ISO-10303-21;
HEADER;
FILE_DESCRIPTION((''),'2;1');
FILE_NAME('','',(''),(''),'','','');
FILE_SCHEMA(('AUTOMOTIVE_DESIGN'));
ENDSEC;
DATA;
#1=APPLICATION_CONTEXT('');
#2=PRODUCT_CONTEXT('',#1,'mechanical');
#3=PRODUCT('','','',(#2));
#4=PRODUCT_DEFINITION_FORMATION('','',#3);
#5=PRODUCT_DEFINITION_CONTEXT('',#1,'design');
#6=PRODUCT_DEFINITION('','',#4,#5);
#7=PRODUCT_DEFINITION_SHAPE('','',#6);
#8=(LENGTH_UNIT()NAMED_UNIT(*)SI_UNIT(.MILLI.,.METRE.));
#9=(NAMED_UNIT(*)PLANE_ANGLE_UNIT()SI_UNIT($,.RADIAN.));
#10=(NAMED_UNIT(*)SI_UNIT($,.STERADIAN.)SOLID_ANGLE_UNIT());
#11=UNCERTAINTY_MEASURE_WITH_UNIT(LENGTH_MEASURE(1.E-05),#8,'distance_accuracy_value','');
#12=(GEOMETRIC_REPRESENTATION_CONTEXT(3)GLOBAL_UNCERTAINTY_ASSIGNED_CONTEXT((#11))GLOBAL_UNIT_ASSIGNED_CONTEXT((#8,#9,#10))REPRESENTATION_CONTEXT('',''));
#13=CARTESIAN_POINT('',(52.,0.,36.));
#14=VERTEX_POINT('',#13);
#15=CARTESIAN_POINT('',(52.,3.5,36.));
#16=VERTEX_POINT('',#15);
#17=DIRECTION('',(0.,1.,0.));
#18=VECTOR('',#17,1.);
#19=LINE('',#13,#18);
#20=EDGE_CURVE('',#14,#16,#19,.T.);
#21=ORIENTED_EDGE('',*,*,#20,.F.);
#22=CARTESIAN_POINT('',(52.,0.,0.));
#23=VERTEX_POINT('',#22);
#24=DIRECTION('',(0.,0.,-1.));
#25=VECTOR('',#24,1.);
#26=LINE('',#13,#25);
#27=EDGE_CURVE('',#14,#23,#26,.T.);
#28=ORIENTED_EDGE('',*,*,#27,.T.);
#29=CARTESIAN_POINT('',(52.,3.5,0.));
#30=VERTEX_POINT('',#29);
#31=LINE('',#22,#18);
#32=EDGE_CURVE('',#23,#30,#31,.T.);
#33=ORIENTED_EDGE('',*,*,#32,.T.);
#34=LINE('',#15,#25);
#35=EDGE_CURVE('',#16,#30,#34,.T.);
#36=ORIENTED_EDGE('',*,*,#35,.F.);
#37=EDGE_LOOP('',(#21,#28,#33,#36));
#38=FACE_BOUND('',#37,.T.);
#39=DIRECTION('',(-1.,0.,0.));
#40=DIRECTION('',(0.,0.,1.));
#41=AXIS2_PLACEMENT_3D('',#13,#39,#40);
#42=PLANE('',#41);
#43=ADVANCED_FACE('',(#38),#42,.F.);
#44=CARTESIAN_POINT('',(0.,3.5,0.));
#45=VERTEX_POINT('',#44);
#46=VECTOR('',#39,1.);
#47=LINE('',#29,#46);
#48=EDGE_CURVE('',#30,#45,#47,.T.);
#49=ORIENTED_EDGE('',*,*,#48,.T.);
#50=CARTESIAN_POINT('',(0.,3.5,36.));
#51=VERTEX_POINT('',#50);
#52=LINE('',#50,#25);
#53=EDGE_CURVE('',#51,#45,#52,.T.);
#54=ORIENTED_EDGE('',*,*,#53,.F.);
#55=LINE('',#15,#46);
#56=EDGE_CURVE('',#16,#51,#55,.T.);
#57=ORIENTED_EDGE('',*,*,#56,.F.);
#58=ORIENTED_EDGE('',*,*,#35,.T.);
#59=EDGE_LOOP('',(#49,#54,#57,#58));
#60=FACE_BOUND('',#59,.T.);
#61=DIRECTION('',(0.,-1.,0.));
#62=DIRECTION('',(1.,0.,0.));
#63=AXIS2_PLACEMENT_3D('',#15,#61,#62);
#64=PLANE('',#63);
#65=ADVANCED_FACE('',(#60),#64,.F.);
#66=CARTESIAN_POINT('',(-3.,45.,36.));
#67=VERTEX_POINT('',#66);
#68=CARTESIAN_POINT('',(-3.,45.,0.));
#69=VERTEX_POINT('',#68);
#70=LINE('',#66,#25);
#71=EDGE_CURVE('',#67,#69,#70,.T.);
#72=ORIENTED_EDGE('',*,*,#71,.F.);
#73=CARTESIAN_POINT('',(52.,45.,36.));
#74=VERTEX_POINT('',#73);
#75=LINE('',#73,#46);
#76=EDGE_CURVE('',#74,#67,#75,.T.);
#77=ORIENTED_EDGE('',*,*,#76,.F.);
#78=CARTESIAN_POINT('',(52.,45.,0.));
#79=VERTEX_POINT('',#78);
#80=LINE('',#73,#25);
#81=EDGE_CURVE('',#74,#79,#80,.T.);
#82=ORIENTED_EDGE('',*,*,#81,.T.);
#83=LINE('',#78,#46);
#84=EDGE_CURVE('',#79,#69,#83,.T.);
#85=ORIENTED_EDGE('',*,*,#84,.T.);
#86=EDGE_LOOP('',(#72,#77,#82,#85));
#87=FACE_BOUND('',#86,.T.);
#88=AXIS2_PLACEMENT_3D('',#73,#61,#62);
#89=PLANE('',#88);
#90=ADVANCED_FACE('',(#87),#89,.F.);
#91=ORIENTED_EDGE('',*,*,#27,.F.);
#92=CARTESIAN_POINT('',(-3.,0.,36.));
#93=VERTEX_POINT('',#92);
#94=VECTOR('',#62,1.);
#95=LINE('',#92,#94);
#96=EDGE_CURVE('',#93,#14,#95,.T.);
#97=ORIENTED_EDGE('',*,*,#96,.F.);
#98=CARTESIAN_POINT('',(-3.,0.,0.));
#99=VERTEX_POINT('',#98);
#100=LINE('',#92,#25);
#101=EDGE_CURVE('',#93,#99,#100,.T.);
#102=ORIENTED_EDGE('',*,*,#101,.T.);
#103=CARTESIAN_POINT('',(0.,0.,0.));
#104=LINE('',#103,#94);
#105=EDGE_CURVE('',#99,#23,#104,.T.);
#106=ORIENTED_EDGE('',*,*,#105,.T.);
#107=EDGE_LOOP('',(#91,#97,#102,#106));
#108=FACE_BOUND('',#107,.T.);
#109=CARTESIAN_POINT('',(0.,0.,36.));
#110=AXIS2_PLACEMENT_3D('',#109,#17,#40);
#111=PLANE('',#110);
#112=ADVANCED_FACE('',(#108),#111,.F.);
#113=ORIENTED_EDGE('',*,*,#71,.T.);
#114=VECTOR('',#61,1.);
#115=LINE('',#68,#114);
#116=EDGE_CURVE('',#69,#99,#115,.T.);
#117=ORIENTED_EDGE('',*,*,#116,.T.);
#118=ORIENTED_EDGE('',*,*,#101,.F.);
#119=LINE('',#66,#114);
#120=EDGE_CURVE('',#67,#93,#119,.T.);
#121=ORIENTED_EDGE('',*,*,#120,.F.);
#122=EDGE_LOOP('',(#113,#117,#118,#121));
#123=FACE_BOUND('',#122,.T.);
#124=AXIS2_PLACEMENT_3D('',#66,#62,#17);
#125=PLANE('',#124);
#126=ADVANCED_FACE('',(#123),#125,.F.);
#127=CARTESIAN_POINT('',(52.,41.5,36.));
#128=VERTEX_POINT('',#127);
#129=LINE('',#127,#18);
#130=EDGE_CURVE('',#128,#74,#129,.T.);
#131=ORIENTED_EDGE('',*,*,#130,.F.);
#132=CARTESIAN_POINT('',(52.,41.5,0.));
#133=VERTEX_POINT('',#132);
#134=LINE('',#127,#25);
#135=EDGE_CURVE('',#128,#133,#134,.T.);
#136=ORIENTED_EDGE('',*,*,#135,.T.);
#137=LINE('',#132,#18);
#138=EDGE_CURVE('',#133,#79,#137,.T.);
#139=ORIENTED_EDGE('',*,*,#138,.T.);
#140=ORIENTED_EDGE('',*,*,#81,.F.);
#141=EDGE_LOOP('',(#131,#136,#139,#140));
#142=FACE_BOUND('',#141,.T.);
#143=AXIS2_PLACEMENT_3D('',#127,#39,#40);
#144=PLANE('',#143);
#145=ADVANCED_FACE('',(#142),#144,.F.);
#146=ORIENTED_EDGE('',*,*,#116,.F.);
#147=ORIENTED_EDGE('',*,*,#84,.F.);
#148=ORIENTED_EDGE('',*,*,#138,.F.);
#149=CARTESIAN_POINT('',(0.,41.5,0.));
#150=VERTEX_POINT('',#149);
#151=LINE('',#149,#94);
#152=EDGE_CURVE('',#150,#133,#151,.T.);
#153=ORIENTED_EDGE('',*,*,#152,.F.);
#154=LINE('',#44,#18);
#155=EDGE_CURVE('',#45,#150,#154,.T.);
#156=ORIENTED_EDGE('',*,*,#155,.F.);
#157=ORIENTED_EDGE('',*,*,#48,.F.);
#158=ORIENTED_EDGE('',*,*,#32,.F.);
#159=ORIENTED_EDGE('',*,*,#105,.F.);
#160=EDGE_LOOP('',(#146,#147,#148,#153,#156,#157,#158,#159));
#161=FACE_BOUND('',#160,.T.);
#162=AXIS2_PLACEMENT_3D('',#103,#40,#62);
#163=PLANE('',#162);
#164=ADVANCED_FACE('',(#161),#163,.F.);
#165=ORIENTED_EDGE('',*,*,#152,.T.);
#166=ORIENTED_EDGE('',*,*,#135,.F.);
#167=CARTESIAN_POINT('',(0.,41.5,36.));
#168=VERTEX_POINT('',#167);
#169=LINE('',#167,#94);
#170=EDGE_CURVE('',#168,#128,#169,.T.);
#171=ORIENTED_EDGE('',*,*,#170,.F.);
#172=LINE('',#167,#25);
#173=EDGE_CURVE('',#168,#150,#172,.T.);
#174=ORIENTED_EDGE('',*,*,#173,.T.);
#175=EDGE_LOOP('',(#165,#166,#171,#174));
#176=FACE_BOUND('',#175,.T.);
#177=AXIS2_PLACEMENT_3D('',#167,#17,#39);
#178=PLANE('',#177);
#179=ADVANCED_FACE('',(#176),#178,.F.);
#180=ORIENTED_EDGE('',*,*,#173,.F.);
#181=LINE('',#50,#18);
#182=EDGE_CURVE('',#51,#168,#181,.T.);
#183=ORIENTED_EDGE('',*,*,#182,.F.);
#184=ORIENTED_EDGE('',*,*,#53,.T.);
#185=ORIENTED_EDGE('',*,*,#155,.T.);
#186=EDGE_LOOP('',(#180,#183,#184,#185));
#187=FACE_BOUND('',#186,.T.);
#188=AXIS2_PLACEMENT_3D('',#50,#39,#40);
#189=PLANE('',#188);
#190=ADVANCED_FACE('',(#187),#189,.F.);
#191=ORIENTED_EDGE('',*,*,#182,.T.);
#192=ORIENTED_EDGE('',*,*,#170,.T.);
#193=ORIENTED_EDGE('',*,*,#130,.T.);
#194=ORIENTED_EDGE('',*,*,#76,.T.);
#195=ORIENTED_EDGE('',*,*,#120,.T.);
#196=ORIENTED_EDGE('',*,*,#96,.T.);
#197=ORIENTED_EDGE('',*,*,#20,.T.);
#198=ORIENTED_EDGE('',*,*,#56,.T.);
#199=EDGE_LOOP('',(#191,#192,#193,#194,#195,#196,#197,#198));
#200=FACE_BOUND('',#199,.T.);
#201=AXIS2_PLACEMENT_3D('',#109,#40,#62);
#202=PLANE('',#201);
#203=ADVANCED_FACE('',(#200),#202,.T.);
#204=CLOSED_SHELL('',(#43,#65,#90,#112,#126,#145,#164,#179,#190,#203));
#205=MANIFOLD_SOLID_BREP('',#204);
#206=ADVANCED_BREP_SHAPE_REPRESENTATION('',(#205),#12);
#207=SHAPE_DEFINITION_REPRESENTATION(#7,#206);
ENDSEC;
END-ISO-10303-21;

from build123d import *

# Parameters (mm, degrees)
BOSS_EXTRUDE1_DEPTH = 36


with BuildPart() as part:
    # Sketch2 → Boss-Extrude1 (new body)
    with BuildSketch(Plane.XY):
        Polygon((0, 0), (52, 0), (52, 3.5), (0, 3.5), (0, 41.5), (52, 41.5), (52, 45), (-3, 45), (-3, 0), align=None)
    extrude(amount=BOSS_EXTRUDE1_DEPTH)


solid = part.part
